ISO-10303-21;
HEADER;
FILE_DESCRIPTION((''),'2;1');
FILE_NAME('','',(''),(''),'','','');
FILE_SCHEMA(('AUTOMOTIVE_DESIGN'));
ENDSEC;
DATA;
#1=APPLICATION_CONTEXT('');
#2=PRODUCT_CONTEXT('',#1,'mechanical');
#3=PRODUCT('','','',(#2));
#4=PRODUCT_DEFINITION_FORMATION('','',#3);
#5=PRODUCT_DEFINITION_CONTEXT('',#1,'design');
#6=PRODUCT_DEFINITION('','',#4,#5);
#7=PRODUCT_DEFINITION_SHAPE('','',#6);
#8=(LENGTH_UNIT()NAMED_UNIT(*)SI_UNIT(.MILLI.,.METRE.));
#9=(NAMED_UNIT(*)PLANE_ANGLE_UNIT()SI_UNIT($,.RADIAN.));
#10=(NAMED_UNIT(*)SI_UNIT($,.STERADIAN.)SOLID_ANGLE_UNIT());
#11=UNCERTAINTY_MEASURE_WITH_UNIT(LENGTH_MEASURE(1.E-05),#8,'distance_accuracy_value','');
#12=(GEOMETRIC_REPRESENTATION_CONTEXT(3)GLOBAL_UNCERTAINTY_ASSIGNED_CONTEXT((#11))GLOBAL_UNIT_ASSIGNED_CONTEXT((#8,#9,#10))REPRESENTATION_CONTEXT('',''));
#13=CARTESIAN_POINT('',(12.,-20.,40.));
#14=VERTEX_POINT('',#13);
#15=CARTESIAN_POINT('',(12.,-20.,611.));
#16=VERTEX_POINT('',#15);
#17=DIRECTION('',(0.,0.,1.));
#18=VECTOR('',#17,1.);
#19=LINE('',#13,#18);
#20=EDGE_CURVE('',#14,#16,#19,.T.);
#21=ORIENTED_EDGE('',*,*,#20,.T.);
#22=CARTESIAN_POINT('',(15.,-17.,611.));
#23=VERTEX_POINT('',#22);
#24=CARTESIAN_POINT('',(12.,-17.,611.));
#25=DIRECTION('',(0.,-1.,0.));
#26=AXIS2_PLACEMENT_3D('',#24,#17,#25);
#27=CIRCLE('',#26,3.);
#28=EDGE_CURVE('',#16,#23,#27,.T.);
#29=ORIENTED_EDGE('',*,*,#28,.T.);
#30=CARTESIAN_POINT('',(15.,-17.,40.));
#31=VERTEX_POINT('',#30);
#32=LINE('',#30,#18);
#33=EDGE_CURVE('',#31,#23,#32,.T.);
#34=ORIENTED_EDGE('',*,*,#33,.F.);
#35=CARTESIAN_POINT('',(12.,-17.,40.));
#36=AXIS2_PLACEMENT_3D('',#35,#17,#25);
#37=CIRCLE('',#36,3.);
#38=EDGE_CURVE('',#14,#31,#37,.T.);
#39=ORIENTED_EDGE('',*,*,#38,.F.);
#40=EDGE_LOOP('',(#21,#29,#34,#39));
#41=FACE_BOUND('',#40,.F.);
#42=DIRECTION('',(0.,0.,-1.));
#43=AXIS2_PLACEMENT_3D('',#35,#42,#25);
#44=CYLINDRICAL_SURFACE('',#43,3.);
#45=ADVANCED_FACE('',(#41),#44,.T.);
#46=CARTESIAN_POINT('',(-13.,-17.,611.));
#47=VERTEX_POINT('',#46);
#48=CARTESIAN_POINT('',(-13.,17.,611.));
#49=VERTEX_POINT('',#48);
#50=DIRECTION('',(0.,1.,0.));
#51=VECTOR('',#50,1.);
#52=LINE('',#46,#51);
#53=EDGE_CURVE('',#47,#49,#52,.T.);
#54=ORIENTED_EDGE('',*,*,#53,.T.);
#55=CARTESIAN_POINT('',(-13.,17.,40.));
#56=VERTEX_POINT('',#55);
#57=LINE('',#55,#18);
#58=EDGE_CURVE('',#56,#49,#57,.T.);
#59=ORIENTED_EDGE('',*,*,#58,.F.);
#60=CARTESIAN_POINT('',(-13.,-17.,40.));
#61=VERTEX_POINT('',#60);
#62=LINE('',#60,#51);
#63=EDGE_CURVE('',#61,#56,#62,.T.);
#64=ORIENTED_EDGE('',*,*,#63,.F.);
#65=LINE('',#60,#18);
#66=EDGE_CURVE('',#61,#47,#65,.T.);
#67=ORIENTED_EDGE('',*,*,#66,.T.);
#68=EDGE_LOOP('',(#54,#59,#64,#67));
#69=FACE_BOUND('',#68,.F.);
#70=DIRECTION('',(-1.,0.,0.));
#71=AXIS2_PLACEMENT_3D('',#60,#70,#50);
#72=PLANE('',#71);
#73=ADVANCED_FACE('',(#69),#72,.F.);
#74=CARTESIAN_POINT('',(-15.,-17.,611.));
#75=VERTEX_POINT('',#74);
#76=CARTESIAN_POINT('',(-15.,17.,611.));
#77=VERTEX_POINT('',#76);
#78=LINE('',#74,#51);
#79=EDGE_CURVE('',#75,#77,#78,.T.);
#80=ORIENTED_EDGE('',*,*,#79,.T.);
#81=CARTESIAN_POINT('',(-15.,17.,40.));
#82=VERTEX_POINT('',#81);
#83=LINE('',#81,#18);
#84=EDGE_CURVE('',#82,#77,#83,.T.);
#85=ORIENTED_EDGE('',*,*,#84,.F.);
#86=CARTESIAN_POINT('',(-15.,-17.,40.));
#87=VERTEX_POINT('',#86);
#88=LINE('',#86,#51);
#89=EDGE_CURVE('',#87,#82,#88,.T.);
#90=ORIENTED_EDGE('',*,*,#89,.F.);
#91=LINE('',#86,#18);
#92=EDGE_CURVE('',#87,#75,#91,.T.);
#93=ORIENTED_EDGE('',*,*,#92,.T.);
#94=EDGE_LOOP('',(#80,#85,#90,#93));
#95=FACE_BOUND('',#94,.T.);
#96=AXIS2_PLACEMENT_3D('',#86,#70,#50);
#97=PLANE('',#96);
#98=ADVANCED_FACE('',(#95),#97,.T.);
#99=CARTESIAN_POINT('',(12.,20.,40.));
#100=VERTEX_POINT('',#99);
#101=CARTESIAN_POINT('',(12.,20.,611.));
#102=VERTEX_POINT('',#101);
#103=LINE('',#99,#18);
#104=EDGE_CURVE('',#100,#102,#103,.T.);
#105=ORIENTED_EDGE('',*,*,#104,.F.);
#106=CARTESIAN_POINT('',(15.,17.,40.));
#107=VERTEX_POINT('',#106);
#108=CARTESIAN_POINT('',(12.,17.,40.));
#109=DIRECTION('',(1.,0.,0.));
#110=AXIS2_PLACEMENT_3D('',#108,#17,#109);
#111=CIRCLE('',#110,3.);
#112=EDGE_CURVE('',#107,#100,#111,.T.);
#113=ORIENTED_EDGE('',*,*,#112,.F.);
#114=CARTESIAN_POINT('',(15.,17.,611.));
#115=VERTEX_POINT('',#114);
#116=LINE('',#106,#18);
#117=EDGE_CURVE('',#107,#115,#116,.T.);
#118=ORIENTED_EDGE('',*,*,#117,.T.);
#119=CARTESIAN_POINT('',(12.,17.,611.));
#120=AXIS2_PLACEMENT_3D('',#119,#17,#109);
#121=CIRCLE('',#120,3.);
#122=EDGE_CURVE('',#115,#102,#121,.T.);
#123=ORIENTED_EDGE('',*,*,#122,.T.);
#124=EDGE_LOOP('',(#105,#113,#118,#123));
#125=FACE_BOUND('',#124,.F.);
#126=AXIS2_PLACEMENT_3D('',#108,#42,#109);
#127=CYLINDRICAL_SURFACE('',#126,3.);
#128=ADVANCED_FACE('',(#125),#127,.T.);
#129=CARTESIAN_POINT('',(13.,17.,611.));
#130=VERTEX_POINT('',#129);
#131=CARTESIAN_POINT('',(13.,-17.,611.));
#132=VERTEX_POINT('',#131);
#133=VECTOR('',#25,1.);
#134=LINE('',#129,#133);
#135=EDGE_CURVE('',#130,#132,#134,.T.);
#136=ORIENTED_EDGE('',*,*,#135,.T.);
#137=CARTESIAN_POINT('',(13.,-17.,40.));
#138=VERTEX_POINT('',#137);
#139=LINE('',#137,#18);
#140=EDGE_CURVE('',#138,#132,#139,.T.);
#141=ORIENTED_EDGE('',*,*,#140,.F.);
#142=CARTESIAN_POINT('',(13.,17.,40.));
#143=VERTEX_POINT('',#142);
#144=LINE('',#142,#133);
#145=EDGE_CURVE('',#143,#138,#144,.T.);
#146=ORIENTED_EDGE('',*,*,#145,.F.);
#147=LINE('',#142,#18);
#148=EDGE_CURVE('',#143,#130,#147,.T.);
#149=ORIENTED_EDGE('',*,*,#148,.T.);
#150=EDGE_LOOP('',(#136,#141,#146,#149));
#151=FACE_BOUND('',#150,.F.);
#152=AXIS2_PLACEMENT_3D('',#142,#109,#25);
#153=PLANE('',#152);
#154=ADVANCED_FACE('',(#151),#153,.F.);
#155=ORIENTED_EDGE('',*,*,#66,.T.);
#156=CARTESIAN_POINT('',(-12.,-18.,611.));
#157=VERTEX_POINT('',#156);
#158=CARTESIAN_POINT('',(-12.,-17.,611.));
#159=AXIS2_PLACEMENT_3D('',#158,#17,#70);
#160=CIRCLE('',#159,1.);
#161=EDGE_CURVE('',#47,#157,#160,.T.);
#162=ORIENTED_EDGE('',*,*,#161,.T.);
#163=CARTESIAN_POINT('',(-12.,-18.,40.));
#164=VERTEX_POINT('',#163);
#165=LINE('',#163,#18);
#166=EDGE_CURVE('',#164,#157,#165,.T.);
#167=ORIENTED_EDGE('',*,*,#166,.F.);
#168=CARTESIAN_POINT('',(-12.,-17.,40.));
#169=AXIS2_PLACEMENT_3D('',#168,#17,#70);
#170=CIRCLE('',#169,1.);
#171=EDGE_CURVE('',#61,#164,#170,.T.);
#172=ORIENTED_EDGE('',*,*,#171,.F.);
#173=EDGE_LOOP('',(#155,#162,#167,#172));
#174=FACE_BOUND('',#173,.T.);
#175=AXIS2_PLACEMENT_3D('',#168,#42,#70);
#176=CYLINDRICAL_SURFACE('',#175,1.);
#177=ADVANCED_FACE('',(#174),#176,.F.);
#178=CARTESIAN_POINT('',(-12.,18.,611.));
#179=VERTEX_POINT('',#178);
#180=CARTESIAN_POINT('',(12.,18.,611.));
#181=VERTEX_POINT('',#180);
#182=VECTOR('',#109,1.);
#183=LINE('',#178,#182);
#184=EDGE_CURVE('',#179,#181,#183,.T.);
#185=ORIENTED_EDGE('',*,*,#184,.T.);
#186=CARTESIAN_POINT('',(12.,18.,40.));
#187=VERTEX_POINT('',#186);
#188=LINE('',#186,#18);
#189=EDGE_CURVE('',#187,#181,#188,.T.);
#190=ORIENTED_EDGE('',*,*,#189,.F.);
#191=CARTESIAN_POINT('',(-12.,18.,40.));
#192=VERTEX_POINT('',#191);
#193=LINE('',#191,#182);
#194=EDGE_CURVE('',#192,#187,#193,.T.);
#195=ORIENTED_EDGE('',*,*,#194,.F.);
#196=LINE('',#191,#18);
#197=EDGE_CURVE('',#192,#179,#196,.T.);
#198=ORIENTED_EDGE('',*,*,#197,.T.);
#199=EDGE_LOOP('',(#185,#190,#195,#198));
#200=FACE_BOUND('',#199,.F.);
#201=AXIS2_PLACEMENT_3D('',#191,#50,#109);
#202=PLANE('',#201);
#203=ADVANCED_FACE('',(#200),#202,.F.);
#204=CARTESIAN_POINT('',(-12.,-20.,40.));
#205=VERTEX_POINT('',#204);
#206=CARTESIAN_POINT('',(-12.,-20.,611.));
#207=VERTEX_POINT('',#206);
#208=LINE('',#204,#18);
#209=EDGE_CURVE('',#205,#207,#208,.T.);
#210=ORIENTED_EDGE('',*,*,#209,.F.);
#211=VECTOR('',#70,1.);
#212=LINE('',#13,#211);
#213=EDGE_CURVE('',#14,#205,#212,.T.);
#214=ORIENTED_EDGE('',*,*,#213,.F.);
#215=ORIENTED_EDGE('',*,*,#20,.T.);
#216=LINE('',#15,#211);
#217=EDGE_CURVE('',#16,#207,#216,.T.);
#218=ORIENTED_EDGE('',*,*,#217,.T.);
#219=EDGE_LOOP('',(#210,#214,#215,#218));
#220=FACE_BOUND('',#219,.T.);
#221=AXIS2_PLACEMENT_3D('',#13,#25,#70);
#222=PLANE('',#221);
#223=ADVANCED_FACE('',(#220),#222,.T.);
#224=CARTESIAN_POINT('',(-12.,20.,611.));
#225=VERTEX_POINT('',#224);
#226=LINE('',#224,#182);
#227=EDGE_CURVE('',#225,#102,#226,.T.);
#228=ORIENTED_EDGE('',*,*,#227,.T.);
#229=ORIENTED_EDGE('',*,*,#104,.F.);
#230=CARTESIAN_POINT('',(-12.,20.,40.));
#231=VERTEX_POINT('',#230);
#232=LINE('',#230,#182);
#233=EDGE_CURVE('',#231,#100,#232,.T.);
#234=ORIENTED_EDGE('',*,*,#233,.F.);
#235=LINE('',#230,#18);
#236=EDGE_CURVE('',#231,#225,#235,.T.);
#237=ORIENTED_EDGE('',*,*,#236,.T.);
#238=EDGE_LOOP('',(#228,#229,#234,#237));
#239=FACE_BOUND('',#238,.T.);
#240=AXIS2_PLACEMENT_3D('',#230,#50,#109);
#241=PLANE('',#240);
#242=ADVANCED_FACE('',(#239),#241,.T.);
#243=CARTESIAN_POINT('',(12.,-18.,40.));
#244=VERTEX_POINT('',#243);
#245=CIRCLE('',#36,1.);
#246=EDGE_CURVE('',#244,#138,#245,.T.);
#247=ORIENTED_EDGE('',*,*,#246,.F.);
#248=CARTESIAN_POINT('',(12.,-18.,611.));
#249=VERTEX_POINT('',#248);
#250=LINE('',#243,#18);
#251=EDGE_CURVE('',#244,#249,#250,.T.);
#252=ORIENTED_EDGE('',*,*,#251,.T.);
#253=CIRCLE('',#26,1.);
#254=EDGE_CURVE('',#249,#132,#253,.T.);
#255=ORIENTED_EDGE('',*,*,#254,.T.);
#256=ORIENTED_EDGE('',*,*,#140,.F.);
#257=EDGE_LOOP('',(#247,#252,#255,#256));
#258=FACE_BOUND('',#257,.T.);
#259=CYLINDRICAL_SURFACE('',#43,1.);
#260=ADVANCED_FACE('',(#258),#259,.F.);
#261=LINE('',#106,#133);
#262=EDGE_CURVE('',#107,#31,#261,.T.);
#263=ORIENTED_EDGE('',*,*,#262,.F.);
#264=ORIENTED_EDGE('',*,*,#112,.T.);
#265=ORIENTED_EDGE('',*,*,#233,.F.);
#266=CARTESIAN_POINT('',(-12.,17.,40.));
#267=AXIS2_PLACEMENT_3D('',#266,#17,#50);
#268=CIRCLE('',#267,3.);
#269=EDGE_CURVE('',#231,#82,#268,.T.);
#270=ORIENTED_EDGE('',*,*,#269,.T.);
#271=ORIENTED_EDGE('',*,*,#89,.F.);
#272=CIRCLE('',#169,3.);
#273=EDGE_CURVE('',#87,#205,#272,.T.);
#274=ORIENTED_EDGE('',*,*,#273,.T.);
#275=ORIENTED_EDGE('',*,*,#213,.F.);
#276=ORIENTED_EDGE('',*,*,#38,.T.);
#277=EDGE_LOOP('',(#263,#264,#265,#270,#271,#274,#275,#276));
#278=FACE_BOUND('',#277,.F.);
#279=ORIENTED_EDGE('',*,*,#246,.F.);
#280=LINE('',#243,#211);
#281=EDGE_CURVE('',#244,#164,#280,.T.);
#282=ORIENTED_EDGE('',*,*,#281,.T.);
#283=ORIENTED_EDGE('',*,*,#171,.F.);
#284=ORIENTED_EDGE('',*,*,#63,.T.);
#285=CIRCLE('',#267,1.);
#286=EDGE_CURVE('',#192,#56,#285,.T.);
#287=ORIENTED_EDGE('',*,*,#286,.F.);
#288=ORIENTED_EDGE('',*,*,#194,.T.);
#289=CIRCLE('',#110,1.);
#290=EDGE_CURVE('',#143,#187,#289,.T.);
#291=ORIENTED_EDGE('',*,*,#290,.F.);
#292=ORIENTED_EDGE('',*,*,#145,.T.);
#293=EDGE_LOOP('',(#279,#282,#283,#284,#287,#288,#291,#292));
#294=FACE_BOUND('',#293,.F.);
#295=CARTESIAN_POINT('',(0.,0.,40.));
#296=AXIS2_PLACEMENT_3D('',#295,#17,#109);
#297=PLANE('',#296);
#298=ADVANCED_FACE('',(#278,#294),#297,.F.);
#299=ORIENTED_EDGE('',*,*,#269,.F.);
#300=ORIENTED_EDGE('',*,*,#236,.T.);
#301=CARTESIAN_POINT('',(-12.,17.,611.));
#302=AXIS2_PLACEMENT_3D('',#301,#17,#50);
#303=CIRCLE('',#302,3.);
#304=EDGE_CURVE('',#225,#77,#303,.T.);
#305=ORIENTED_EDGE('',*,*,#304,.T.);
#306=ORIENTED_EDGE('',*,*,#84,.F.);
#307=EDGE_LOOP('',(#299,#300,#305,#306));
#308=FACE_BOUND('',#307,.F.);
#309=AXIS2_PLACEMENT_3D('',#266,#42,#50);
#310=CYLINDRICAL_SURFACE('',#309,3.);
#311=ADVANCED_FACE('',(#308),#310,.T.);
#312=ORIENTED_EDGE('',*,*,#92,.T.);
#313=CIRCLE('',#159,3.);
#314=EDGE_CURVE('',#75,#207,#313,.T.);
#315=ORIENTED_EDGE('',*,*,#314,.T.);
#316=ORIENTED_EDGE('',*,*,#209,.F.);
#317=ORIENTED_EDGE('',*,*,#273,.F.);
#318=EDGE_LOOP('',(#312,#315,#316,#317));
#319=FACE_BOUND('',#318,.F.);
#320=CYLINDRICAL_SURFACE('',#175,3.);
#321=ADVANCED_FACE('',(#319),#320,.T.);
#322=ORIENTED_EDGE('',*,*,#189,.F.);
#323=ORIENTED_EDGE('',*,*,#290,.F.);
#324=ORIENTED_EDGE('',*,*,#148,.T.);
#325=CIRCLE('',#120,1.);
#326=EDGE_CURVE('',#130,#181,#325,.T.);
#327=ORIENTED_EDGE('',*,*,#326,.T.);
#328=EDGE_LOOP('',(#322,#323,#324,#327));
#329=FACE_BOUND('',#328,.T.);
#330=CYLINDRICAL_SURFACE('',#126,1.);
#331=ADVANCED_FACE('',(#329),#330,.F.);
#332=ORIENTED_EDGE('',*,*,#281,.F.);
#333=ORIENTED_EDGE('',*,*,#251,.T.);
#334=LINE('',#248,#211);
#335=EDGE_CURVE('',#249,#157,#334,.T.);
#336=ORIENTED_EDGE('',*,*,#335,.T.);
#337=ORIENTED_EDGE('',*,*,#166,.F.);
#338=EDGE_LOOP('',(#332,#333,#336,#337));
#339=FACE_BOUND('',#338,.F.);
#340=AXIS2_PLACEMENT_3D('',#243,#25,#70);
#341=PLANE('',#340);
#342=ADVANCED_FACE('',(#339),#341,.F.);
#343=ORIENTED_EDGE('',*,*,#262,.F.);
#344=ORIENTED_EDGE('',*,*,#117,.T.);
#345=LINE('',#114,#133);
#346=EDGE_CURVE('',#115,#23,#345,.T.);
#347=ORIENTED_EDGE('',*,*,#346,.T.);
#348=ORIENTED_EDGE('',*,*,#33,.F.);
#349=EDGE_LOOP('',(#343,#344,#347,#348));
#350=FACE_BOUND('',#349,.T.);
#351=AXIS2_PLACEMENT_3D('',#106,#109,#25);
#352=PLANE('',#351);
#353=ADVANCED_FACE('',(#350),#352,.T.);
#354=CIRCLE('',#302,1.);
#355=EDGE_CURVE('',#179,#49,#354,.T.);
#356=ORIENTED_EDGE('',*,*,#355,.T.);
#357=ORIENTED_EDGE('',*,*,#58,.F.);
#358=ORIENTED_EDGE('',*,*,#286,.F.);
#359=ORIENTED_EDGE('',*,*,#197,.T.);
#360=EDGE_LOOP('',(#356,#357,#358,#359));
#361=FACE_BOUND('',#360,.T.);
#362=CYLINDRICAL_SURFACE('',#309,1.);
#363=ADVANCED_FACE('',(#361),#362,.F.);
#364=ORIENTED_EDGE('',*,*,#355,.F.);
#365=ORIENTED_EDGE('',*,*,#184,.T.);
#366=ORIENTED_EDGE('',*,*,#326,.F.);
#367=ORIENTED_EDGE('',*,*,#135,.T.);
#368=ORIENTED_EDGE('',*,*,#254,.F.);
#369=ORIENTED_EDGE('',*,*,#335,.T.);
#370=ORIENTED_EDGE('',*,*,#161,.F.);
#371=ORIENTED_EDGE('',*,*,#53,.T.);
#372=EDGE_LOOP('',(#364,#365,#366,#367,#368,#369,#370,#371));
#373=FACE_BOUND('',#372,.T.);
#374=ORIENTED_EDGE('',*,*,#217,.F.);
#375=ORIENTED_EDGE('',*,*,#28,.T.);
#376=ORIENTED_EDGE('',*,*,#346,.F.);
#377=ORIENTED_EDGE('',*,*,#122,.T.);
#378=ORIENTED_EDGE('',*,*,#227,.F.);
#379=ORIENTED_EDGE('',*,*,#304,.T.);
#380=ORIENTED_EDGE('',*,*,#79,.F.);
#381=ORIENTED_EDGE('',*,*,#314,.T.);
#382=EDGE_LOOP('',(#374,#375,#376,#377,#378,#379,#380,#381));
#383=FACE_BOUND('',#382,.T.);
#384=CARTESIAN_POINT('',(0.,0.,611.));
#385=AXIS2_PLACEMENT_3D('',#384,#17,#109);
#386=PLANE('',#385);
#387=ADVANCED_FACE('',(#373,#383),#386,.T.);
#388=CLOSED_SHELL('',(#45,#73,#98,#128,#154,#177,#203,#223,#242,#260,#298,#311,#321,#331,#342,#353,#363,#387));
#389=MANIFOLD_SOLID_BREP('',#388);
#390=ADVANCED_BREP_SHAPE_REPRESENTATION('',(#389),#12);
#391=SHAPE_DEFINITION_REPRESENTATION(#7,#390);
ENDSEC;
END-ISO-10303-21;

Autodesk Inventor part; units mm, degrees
ref_plane "Start plane" through (0, 0, 40) normal (0, 0, 1) x (1, 0, 0)
ref_plane "End plane" through (0, 0, 611) normal (0, 0, 1) x (1, 0, 0)
sketch "Sketch" plane through (0, 0, 0) normal (0, 0, 1) x (1, 0, 0)
  line L0 (-15, -17) -> (-15, 17)
  line L1 (-12, 20) -> (12, 20)
  line L2 (15, 17) -> (15, -17)
  line L3 (12, -20) -> (-12, -20)
  arc A0 (-15, -17) -> (-12, -20) centre (-12, -17) ccw
  arc A1 (-12, 20) -> (-15, 17) centre (-12, 17) ccw
  arc A2 (15, 17) -> (12, 20) centre (12, 17) ccw
  arc A3 (12, -20) -> (15, -17) centre (12, -17) ccw
  arc A4 (-12, 18) -> (-13, 17) centre (-12, 17) ccw
  line L4 (-12, 18) -> (12, 18)
  arc A5 (13, 17) -> (12, 18) centre (12, 17) ccw
  line L5 (13, 17) -> (13, -17)
  arc A6 (12, -18) -> (13, -17) centre (12, -17) ccw
  line L6 (12, -18) -> (-12, -18)
  arc A7 (-13, -17) -> (-12, -18) centre (-12, -17) ccw
  line L7 (-13, -17) -> (-13, 17)
  line L8 (0, 28.8698) -> (0, -28.8698) construction
  line L9 (-14.8698, 0) -> (14.8698, 0) construction
  dimension "d7" = 3
  dimension "d10" = 40
  dimension "d11" = 30
  dimension "d12" = 2
  dimension "d15" = 20
  dimension "d16" = 15
extrude "Body" add sketch "Sketch" along normal up to surface (571 mm away) from surface at 40
sketch "Sketch3" plane through (0, 0, 0) normal (0, 0, 1) x (1, 0, 0)
  line L0 (0, 0) -> (10, 0)
ref_plane "Work Plane3" through (0, 0, 0) normal (0, -1, 0) x (1, 0, 0)
sketch "Sketch4" plane through (0, 0, 0) normal (0, -1, 0) x (1, 0, 0)
  line L0 (-2, 40) -> (12, 40)
  line L1 (-2, 611) -> (12, 611)
  dimension "d18" = 571
ref_plane "Work Plane4" through (-7, 120, 40) normal (0, 0, -1) x (-1, 0, 0)
split "Split1" plane through (-7, 120, 40) removes the side toward (0, 0, -1)
ref_plane "Work Plane5" through (7, 120, 611) normal (0, 0, 1) x (1, 0, 0)
split "Split2" plane through (7, 120, 611) removes the side toward (0, 0, 1)
equation "\"d7\" = G_IR"
equation "\"d10\" = G_H"
equation "\"d11\" = G_W"
equation "\"d12\" = G_T"
equation "\"d15\" = 0.5 * d10"
equation "\"d16\" = 0.5 * d11"
equation "\"d3\" = G_L"
equation "\"G_W\" = 30"
equation "\"G_H\" = 40"
equation "\"G_T\" = 2"
equation "\"G_IR\" = 3"
equation "\"G_L\" = d18"
equation "\"G_OFFSET_START\" = -40"
equation "\"G_OFFSET_END\" = -40"
equation "\"d13\" = -G_OFFSET_START"
equation "\"d14\" = G_OFFSET_END + B_L"
equation "\"B_L\" = 651"
properties part number "UNI EN 10305-5 - 40 x 30 x 2  - 571" material "Steel, Mild"
